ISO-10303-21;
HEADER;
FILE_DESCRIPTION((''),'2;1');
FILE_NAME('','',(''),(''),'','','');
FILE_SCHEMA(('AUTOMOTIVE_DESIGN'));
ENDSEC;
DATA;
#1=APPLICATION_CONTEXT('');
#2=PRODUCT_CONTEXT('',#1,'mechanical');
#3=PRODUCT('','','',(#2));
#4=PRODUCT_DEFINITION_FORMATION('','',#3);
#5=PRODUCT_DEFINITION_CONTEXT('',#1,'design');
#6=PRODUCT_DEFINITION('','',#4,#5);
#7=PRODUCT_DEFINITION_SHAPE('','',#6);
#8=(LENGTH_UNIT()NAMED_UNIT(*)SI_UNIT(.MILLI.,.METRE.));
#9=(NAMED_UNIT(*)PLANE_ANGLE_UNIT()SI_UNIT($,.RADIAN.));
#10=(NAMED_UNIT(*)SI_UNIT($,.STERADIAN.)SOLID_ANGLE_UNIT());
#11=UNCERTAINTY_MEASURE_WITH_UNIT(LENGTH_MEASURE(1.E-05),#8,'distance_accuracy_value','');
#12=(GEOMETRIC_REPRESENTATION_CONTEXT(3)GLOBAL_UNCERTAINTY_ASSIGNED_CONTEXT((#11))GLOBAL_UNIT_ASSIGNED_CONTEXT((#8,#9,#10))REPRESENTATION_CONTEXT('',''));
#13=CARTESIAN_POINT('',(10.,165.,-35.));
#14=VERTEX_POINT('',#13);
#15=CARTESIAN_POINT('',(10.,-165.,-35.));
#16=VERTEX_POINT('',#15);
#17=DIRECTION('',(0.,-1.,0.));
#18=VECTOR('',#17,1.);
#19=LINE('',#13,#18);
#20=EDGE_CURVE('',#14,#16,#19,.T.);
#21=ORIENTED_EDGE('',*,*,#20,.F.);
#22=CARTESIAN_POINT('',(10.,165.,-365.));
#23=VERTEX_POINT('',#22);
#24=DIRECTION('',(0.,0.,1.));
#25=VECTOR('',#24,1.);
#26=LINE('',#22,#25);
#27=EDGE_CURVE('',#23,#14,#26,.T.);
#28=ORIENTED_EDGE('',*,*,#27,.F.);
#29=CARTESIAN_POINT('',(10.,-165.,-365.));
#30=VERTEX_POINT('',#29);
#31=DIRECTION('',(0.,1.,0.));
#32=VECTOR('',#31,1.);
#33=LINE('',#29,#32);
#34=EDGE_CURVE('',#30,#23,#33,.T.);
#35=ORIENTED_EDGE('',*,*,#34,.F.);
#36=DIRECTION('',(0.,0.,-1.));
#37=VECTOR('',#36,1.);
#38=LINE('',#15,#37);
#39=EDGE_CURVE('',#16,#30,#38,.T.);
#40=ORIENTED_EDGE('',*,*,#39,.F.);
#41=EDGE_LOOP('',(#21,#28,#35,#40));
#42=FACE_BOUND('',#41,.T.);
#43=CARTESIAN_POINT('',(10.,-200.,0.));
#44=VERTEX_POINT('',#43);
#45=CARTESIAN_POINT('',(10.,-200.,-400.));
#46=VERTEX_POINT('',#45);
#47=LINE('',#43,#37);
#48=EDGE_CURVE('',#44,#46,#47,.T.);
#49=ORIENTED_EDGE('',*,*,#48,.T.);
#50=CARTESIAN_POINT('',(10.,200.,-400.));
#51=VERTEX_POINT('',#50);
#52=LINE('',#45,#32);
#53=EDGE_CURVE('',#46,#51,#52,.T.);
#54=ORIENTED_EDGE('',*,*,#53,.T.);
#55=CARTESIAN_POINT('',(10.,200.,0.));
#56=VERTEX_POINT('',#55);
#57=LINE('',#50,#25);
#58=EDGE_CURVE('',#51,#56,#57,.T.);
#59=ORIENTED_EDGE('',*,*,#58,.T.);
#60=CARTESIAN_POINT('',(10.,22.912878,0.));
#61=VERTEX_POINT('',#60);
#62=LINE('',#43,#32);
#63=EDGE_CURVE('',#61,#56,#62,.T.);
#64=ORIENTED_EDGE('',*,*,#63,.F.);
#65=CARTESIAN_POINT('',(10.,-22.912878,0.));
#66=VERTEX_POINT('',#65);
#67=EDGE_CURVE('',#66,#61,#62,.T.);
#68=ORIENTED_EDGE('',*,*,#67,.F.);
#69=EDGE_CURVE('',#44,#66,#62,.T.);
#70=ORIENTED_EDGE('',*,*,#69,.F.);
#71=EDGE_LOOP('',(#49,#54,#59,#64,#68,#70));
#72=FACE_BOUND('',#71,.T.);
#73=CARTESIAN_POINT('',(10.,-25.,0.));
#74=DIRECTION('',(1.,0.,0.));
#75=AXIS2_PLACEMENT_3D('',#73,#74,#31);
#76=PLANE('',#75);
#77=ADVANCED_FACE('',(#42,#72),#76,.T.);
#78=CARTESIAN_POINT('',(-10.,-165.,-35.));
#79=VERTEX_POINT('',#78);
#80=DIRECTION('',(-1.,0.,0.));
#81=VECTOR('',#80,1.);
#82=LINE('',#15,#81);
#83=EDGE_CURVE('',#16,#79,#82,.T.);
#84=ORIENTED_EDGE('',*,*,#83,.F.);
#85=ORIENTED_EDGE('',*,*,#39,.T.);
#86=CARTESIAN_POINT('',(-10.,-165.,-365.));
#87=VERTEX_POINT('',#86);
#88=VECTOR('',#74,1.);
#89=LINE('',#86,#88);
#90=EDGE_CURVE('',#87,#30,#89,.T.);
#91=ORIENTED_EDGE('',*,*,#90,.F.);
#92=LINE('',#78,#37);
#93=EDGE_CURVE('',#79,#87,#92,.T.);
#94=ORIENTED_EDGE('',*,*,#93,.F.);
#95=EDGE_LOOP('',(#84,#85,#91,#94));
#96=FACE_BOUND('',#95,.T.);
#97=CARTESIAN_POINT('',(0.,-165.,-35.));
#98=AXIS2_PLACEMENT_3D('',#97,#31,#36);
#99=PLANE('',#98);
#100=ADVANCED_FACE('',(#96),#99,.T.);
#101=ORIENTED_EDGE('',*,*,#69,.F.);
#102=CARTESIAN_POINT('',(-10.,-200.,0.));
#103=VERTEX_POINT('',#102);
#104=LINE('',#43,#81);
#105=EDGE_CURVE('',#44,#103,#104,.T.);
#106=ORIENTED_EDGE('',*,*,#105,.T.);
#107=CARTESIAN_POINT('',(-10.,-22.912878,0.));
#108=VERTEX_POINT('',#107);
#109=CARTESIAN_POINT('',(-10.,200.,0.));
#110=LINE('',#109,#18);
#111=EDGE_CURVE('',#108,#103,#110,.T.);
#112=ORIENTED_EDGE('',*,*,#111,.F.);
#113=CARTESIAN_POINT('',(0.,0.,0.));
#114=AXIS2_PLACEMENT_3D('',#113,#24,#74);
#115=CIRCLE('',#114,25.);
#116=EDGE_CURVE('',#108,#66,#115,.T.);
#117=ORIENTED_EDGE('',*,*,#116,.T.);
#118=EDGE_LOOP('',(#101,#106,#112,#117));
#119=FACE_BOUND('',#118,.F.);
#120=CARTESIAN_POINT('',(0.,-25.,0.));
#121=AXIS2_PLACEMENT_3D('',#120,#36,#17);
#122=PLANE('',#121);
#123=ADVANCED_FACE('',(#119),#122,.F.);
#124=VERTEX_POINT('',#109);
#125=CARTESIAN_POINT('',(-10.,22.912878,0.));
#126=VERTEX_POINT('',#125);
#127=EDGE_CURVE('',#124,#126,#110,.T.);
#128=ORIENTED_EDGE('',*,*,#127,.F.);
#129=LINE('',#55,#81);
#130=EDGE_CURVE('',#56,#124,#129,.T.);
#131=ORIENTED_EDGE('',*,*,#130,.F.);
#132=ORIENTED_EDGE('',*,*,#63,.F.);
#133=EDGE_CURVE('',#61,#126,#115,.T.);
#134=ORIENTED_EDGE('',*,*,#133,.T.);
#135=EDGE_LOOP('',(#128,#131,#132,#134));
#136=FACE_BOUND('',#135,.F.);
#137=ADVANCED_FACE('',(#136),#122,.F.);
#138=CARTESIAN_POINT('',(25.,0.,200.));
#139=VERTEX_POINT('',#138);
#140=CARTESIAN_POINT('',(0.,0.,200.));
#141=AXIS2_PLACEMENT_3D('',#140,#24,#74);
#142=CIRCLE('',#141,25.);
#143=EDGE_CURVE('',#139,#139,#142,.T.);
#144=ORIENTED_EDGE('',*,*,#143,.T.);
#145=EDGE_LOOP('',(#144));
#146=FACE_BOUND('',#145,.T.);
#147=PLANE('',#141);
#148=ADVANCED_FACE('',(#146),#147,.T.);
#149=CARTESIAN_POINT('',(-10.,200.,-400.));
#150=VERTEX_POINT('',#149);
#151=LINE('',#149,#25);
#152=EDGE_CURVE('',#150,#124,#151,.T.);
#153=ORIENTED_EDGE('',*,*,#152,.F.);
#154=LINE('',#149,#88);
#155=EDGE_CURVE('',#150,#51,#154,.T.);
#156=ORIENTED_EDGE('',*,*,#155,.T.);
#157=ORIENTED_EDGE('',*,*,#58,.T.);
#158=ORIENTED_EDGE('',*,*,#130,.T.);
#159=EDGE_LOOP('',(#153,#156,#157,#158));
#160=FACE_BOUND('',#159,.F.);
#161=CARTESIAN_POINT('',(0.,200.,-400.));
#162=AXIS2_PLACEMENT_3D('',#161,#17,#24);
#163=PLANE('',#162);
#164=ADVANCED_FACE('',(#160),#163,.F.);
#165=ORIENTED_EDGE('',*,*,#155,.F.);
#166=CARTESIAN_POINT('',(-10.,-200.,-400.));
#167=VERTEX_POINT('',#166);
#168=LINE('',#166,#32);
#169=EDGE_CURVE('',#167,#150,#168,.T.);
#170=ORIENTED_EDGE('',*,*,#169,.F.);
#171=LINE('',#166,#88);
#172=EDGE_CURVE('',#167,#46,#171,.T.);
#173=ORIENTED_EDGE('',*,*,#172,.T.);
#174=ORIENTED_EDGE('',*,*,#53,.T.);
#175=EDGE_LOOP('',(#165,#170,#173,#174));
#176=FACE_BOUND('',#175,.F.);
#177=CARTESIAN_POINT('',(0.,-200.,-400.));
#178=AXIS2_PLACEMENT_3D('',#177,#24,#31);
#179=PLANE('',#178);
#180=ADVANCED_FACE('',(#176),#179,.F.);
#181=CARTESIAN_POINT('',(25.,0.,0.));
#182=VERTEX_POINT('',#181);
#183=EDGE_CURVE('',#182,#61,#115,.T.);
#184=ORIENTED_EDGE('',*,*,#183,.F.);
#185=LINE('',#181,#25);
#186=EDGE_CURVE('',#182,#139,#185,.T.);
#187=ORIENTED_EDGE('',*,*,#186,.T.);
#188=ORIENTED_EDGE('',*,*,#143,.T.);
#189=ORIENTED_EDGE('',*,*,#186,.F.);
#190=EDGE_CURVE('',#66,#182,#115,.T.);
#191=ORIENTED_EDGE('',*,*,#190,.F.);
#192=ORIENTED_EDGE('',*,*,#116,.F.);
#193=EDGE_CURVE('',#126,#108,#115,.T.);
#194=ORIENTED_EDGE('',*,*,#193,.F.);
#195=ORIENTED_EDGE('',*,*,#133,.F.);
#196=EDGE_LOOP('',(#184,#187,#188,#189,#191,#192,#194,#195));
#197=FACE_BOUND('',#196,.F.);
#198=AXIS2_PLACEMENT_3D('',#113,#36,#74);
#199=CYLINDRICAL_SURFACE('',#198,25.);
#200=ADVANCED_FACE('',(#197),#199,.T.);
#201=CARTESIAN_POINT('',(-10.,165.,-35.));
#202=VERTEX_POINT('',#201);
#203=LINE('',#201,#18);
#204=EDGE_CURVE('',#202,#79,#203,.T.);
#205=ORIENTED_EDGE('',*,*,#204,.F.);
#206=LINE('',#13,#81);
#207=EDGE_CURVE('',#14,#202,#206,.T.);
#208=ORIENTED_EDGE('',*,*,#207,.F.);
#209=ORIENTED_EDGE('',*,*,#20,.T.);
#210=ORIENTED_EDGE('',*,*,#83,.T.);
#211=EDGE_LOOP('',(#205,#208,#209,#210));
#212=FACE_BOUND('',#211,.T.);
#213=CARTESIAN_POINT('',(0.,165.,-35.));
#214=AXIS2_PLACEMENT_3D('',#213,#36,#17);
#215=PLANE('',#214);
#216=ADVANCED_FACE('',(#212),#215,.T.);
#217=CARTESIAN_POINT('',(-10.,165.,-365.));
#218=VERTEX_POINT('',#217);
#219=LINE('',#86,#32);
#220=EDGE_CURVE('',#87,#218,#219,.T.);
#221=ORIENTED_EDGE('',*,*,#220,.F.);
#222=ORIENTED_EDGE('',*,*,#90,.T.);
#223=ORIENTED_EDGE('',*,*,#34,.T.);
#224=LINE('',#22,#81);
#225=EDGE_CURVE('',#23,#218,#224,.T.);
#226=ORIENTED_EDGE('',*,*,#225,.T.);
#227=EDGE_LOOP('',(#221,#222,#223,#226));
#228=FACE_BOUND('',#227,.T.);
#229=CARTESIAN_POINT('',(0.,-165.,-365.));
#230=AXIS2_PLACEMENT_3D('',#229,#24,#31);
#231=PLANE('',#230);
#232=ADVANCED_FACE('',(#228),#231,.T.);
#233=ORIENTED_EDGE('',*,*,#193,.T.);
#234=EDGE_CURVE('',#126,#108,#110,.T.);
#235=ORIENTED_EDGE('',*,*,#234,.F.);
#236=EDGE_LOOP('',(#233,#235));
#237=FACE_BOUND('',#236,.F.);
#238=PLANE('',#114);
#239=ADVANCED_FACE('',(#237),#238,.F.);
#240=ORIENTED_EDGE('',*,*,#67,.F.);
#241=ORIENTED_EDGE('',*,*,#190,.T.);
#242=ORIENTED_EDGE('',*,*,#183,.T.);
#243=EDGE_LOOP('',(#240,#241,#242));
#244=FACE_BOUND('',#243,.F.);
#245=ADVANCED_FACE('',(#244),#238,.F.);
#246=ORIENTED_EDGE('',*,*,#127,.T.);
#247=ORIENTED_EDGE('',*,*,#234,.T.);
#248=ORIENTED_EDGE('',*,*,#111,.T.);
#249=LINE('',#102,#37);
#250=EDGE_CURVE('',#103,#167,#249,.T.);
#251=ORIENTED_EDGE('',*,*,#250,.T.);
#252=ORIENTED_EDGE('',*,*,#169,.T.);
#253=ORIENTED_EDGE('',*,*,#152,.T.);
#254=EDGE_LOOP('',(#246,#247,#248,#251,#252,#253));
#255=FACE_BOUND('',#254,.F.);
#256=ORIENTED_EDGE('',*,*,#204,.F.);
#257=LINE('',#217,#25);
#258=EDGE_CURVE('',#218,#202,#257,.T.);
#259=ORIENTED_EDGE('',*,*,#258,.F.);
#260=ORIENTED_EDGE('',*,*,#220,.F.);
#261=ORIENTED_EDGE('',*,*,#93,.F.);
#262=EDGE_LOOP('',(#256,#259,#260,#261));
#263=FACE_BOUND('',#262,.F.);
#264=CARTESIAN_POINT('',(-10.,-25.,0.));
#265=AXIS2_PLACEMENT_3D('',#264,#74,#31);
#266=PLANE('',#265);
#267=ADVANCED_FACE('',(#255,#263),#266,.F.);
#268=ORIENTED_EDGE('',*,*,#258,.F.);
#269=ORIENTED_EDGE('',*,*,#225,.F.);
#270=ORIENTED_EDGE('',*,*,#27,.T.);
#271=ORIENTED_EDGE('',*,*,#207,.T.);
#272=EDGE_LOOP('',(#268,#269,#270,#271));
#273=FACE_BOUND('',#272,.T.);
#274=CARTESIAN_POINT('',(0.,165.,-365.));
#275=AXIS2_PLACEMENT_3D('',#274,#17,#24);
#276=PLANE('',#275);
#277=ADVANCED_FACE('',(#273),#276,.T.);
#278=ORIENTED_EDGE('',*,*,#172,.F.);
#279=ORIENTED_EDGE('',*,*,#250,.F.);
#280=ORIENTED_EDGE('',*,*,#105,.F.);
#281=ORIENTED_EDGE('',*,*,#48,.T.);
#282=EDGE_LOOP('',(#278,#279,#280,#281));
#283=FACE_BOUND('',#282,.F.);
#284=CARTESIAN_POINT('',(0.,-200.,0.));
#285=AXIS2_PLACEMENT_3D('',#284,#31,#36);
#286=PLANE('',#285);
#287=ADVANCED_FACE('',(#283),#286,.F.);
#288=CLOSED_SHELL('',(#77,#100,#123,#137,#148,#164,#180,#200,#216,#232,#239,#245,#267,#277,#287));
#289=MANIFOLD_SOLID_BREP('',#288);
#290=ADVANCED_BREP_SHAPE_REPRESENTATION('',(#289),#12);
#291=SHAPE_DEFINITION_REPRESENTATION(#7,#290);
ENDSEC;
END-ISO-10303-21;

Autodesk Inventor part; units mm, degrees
ref_plane "YZ Plane" through (0, 0, 0) normal (1, 0, 0) x (0, 1, 0)
ref_plane "XZ Plane" through (0, 0, 0) normal (0, 1, 0) x (-1, 0, 0)
ref_plane "XY Plane" through (0, 0, 0) normal (0, 0, 1) x (1, 0, 0)
sketch "Esquisse1" plane through (0, 0, 0) normal (0, 0, 1) x (1, 0, 0)
  circle A0 centre (0, 0) radius 25
  point P0 (0, -25)
  point P1 (0, 25)
  dimension "d0" = 50
extrude "Extrusion1" add sketch "Esquisse1" along normal blind 200
sketch "Esquisse2" plane through (0, 0, 0) normal (0, 0, -1) x (-1, 0, 0)
  point P0 (0, 0)
sketch "Esquisse3" plane through (0, 0, 200) normal (0, 0, 1) x (1, 0, 0)
  circle A0 centre (0, 0) radius 25 projected
  point P0 (0, -25)
ref_plane "Plan de construction1" through (0, -25, 0) normal (1, 0, 0) x (0, 1, 0)
sketch "Esquisse4" plane through (0, -25, 0) normal (1, 0, 0) x (0, 1, 0)
  line L0 (-175, -400) -> (225, -400)
  line L1 (225, -400) -> (225, 0)
  line L2 (225, 0) -> (-175, 0)
  line L3 (-175, 0) -> (-175, -400)
  line L4 (0, 0) -> (50, 0) projected
  line L5 (-140, -365) -> (190, -365)
  line L6 (190, -365) -> (190, -35)
  line L7 (190, -35) -> (-140, -35)
  line L8 (-140, -35) -> (-140, -365)
  point P0 (25, 0)
  dimension "d3" = 0
  dimension "d4" = 400
  dimension "d5" = 400
  dimension "d6" = 200
  dimension "d7" = 330
  dimension "d8" = 330
  dimension "d9" = 35
  dimension "d10" = 35
extrude "Extrusion2" add sketch "Esquisse4" along normal mid plane 20
ref_plane "Plan de construction2" through (0, 0, 100) normal (0, 0, 1) x (1, 0, 0)
sketch "Esquisse5" plane through (0, 0, 100) normal (0, 0, 1) x (1, 0, 0)
  circle A0 centre (0, 0) radius 25 projected
equation "\"d6\" = 0.5 * d4"
equation "\"d9\" = -0.5 * d8 + 0.5 * d5"
equation "\"d10\" = -0.5 * d8 + 0.5 * d5"
properties part number "raquetteEsquisse" material "Plastique ABS"
